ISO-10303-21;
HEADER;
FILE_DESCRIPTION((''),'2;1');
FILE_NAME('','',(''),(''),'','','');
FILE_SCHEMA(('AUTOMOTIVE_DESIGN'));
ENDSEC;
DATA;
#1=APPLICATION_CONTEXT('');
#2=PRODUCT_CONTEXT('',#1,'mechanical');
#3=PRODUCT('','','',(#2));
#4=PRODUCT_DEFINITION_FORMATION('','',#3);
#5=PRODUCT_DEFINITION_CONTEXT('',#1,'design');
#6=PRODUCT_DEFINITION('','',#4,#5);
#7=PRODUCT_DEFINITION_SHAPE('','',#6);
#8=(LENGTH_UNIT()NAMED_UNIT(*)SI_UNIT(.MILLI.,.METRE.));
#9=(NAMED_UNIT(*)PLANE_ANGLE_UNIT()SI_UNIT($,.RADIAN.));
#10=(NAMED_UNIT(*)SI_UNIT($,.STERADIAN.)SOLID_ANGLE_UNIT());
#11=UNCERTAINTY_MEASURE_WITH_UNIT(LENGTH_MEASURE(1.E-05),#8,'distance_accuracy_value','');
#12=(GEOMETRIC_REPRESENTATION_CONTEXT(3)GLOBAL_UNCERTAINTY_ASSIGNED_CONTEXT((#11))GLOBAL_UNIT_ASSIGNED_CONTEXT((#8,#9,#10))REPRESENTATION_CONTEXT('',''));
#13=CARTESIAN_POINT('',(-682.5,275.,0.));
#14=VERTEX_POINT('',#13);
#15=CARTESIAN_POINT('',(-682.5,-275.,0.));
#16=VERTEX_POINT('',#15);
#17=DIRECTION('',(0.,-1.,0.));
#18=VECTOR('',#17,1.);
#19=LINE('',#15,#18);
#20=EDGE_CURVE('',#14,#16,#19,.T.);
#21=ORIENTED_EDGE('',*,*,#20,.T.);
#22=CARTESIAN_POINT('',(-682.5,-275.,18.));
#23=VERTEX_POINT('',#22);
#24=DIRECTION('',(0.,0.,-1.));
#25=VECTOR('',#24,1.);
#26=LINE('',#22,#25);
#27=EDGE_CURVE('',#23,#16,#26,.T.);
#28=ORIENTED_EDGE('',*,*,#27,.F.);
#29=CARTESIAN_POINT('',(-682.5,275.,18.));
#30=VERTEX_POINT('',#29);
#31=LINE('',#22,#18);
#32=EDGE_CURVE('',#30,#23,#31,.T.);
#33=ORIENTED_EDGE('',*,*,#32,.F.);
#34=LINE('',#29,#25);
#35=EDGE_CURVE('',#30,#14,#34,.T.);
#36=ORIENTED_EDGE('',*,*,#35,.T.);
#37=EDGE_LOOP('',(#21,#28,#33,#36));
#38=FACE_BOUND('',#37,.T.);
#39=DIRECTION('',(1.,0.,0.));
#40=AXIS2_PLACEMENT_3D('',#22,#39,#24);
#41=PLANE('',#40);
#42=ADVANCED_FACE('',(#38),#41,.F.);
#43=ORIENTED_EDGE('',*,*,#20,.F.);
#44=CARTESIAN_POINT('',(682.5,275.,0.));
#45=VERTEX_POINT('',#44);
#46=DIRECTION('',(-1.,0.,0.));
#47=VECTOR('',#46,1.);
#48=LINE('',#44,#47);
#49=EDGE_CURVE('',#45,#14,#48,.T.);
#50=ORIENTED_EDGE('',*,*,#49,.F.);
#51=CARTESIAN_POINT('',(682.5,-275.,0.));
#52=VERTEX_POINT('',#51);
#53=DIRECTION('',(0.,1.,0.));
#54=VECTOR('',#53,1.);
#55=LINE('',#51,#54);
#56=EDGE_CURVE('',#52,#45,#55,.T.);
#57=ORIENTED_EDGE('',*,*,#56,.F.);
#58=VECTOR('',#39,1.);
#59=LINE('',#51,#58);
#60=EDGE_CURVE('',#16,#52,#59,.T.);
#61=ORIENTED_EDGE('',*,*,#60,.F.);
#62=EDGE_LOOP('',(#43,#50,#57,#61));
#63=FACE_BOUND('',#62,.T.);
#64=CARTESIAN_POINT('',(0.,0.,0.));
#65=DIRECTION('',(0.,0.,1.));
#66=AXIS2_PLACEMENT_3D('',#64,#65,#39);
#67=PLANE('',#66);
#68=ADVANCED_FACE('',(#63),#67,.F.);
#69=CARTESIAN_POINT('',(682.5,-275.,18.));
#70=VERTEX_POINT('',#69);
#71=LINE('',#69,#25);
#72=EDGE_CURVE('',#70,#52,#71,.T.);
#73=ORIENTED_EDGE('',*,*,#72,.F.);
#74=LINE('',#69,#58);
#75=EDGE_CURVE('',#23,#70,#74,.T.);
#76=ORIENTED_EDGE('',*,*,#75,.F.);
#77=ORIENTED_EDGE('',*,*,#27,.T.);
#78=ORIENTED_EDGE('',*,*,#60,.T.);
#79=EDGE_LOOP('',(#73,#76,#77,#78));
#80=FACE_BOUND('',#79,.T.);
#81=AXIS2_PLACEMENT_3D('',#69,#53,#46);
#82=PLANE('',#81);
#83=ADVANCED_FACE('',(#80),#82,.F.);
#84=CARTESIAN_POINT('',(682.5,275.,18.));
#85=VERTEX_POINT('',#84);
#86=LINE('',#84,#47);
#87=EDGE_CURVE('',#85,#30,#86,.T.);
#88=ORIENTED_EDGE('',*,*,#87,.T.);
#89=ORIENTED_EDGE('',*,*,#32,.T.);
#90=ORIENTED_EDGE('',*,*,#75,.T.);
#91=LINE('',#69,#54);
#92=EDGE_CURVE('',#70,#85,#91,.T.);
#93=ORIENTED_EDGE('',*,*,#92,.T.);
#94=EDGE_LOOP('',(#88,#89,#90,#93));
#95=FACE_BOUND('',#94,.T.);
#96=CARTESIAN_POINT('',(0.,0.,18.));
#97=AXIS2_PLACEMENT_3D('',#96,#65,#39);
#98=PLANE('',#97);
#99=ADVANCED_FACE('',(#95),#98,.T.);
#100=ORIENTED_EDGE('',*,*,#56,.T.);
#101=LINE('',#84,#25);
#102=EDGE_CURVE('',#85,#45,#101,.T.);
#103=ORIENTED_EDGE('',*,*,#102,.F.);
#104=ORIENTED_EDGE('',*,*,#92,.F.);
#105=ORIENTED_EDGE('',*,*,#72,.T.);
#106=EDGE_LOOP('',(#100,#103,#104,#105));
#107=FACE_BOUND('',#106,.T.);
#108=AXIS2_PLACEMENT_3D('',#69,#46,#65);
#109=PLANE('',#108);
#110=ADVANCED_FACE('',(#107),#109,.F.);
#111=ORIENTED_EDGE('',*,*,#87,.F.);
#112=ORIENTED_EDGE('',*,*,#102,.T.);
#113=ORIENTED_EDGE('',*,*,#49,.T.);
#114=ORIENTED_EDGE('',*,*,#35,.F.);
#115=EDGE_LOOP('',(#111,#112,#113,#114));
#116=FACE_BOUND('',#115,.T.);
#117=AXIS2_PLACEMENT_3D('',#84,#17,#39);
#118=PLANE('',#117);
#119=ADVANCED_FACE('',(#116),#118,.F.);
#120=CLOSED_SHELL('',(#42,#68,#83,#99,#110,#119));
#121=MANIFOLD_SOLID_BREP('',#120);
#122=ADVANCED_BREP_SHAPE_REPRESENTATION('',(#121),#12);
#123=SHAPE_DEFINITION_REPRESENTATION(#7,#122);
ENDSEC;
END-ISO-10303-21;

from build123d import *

# Parameters (mm, degrees)
SKETCH1_W           = 1365
SKETCH1_H           = 550
BOSS_EXTRUDE1_DEPTH = 18


with BuildPart() as part:
    # Sketch1 → Boss-Extrude1 (new body)
    with BuildSketch(Plane.XY):
        Rectangle(SKETCH1_W, SKETCH1_H)
    extrude(amount=BOSS_EXTRUDE1_DEPTH)


solid = part.part
